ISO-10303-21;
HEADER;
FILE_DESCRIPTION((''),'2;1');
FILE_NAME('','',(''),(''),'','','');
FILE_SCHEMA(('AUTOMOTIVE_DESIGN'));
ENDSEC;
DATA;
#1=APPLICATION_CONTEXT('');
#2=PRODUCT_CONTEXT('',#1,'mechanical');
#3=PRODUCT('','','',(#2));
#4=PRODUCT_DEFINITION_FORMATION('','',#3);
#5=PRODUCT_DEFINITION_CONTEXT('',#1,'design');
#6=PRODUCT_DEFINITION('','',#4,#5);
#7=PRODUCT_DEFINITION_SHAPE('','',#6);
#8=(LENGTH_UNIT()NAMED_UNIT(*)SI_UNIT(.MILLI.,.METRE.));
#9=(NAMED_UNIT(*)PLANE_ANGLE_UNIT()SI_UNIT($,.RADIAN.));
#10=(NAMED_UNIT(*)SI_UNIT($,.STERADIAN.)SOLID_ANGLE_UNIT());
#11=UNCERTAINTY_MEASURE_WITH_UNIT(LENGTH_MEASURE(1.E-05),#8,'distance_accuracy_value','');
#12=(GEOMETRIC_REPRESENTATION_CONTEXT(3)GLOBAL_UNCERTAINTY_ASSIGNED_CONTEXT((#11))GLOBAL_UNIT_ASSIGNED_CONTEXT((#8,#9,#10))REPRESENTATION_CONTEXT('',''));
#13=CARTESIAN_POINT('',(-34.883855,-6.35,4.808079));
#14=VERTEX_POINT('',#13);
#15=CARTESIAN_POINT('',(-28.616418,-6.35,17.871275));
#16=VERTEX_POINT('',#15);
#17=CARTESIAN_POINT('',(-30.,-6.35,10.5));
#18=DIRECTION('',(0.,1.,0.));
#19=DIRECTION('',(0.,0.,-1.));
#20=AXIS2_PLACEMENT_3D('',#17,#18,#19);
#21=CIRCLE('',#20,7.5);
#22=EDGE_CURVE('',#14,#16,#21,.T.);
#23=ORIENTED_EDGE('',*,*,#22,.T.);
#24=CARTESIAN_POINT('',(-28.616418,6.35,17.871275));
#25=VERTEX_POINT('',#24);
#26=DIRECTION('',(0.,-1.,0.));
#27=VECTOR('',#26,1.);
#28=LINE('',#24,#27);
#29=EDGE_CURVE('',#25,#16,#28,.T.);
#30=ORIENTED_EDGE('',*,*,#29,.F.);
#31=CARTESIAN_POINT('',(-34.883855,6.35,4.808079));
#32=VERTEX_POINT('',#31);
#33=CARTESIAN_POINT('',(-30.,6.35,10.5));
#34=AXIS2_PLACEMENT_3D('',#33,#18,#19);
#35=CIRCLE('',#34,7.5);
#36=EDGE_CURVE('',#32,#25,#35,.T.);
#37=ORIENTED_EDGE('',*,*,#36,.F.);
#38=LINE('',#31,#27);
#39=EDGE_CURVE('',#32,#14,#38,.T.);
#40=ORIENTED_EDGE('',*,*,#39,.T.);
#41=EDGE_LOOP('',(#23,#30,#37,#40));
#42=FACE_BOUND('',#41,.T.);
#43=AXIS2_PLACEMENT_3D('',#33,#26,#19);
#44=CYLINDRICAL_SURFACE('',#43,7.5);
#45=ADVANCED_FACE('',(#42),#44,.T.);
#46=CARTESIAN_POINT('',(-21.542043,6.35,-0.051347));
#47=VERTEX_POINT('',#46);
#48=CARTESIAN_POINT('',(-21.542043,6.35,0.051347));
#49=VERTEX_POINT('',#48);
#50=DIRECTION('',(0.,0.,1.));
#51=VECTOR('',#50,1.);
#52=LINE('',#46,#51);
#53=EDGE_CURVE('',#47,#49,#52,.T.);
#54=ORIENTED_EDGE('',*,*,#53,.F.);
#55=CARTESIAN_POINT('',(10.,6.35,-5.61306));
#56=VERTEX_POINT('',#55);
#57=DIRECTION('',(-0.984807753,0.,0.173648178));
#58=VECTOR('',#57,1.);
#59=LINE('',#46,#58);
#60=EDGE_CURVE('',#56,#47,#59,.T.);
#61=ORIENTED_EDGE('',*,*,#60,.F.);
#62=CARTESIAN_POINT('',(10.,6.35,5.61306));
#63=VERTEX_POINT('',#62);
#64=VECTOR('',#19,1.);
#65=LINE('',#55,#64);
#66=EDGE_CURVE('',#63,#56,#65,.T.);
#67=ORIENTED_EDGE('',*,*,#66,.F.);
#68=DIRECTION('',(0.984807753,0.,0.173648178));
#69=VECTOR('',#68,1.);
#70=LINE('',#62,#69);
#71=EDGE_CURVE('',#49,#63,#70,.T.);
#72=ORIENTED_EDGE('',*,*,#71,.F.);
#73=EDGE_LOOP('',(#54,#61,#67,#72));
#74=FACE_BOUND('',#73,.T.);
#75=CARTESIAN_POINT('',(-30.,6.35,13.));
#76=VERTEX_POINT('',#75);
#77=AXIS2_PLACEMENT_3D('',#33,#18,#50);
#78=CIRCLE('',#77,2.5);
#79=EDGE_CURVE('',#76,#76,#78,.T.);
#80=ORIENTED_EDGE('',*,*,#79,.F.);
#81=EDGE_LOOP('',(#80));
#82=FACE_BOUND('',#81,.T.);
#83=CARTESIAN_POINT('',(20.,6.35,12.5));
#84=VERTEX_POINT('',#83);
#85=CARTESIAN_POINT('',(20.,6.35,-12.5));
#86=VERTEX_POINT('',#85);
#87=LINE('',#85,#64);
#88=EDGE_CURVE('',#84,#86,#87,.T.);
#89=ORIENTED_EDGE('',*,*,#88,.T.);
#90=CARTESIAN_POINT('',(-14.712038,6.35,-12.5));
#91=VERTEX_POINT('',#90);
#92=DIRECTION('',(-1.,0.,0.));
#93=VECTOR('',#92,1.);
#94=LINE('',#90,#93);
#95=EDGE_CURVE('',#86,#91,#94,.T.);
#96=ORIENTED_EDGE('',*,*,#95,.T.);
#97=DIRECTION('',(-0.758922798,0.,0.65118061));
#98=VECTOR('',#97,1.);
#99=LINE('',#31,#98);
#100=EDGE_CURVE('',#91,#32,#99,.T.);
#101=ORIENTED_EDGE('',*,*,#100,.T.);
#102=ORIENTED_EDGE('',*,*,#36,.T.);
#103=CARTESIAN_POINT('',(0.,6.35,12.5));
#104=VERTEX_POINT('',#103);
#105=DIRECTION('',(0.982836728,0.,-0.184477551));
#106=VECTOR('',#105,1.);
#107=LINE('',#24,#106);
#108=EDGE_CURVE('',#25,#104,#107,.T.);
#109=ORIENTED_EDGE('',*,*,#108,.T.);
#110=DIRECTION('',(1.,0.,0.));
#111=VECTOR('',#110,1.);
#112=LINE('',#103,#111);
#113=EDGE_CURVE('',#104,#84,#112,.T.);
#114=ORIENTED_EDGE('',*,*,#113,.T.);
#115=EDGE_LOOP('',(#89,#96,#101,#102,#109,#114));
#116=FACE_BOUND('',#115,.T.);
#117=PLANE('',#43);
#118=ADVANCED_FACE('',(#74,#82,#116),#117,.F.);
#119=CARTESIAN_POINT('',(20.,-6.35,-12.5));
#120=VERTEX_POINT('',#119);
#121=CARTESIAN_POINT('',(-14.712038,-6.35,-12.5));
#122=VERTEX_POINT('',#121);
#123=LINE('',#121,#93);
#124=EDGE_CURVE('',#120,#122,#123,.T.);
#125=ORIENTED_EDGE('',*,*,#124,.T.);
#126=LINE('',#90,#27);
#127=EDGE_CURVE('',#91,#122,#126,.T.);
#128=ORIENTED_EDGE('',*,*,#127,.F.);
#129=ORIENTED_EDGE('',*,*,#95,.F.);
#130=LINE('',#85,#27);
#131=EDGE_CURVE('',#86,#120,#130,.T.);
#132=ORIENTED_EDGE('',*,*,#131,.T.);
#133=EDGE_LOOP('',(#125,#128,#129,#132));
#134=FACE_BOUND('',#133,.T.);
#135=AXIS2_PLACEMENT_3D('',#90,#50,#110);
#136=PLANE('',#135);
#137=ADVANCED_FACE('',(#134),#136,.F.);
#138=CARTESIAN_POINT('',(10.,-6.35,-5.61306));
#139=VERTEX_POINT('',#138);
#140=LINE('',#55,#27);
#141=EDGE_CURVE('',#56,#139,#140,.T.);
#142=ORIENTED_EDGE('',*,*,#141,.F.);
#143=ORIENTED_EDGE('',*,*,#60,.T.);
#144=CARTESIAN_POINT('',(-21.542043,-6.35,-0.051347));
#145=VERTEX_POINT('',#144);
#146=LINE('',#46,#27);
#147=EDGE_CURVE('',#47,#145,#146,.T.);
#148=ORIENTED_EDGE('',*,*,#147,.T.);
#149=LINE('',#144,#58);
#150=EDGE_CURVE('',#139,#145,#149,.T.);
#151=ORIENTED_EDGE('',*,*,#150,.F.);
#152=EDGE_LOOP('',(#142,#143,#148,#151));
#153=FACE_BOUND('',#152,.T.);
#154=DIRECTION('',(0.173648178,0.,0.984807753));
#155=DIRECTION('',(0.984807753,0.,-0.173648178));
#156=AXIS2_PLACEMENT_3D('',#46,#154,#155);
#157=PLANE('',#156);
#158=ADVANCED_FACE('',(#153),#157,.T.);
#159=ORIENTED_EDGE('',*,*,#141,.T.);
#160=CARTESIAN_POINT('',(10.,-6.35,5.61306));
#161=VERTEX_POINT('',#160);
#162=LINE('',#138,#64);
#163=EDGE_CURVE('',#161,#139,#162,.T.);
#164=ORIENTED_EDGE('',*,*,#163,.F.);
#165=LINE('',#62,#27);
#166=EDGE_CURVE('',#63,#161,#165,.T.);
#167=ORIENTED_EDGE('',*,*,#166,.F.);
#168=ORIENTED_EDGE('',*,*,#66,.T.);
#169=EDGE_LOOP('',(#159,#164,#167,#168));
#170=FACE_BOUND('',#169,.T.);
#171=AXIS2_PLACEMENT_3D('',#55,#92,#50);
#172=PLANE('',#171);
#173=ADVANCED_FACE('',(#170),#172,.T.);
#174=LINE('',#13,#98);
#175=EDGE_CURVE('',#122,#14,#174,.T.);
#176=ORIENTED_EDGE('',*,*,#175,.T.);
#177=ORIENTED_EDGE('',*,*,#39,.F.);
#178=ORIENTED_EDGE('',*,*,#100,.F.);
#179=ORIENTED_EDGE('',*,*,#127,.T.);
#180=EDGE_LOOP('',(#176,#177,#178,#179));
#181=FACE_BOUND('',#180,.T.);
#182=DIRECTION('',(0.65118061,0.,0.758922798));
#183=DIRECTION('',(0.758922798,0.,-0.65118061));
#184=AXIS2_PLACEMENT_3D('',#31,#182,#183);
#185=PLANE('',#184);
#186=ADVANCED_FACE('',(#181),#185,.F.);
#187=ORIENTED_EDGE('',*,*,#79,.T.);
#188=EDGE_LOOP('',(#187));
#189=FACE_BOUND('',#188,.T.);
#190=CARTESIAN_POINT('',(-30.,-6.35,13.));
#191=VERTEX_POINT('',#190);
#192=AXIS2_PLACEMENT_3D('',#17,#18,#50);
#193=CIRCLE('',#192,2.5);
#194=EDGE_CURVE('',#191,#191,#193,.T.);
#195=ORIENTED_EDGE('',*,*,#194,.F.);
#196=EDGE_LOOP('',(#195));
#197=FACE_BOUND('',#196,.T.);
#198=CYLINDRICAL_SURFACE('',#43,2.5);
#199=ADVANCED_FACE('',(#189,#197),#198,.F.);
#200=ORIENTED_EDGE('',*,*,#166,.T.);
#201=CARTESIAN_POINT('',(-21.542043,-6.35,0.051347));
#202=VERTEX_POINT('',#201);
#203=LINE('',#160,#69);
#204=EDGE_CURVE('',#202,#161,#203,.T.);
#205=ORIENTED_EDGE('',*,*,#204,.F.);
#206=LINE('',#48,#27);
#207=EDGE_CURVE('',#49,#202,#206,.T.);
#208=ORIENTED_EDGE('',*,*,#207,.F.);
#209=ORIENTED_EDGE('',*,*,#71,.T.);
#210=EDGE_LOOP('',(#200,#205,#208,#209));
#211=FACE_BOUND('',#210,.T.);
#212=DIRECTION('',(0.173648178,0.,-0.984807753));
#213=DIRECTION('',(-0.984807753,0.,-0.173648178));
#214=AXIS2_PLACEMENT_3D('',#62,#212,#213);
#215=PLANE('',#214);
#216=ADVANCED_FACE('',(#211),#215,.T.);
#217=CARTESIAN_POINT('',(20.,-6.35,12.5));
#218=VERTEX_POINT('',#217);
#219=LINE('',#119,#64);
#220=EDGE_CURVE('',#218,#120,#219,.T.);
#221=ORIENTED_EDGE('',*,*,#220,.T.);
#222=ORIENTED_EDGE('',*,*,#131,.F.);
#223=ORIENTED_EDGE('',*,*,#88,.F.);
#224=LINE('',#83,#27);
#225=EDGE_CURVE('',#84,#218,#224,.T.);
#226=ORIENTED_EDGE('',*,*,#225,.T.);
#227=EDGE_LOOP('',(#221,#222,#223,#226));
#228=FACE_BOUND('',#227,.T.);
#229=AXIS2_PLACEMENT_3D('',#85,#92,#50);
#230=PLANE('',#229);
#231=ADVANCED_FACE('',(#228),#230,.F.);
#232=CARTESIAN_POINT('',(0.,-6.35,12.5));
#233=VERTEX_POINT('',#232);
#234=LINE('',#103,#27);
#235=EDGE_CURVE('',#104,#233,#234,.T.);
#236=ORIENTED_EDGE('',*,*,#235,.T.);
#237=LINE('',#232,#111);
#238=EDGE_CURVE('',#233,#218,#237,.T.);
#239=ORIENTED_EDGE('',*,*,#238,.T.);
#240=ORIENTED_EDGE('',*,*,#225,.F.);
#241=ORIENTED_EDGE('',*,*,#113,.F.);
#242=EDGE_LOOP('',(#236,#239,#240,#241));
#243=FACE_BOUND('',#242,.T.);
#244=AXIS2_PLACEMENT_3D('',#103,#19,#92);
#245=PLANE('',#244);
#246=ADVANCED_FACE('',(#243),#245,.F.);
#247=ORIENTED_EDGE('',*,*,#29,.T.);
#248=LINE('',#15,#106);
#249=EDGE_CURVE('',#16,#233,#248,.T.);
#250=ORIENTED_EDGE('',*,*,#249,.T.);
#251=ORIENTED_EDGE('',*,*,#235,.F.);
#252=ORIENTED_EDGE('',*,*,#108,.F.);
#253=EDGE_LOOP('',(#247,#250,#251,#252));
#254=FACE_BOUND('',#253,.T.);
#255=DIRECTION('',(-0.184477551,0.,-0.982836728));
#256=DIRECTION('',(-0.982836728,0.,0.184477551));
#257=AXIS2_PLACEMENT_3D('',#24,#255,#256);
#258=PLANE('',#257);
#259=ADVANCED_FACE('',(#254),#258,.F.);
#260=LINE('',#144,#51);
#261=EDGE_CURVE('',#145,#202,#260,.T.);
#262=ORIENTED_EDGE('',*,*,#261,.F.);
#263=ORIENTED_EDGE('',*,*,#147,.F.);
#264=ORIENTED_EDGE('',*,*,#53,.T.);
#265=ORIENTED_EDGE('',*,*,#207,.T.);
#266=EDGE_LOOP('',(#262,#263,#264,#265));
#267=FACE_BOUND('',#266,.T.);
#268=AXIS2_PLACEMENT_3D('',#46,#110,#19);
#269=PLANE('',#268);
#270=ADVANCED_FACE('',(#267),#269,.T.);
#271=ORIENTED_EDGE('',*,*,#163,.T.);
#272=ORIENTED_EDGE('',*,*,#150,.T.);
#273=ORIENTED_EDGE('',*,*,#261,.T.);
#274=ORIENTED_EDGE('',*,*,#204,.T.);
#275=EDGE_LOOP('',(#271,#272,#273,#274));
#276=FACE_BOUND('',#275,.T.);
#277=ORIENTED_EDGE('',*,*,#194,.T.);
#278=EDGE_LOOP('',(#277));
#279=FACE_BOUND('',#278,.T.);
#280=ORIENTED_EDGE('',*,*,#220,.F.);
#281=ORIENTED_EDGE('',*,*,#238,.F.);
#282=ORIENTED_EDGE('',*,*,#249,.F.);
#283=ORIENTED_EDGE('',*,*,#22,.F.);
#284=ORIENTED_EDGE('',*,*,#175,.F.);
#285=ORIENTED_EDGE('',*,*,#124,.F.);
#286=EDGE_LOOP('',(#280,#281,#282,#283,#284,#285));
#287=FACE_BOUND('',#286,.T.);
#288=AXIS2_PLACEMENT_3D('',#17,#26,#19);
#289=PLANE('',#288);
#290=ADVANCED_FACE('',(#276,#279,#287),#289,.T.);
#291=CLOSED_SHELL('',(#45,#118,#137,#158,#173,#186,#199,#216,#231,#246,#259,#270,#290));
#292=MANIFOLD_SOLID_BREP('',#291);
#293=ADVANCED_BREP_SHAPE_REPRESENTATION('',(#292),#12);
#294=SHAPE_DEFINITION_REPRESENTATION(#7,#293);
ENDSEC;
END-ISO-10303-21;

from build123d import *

# Parameters (mm, degrees)
SKETCH2_R           = 2.5
BOSS_EXTRUDE1_DEPTH = 6.35


with BuildPart() as part:
    # Sketch2 → Boss-Extrude1 (new, symmetric)
    with BuildSketch(Plane(origin=(0, 0, 0), x_dir=(1, 0, 0), z_dir=(0, 1, 0))):
        with BuildLine():
            Line((-34.883854573, -4.808079014), (-14.712038095, 12.5))
            Line((-14.712038095, 12.5), (20, 12.5))
            Line((20, 12.5), (20, -12.5))
            Line((20, -12.5), (0, -12.5))
            Line((0, -12.5), (-28.616418364, -17.871275457))
            ThreePointArc((-28.616418364, -17.871275457), (-36.762008058, -13.74426371), (-34.883854573, -4.808079014))
        make_face()
        with Locations(Location((-30, -10.5, 0), (0, 0, 270))):
            Circle(SKETCH2_R, mode=Mode.SUBTRACT)
        Polygon((-21.542043285, 0.051346502), (-21.542043285, -0.051346502), (10, -5.61305976), (10, 5.61305976), align=None, mode=Mode.SUBTRACT)
    extrude(amount=BOSS_EXTRUDE1_DEPTH, both=True)


solid = part.part
